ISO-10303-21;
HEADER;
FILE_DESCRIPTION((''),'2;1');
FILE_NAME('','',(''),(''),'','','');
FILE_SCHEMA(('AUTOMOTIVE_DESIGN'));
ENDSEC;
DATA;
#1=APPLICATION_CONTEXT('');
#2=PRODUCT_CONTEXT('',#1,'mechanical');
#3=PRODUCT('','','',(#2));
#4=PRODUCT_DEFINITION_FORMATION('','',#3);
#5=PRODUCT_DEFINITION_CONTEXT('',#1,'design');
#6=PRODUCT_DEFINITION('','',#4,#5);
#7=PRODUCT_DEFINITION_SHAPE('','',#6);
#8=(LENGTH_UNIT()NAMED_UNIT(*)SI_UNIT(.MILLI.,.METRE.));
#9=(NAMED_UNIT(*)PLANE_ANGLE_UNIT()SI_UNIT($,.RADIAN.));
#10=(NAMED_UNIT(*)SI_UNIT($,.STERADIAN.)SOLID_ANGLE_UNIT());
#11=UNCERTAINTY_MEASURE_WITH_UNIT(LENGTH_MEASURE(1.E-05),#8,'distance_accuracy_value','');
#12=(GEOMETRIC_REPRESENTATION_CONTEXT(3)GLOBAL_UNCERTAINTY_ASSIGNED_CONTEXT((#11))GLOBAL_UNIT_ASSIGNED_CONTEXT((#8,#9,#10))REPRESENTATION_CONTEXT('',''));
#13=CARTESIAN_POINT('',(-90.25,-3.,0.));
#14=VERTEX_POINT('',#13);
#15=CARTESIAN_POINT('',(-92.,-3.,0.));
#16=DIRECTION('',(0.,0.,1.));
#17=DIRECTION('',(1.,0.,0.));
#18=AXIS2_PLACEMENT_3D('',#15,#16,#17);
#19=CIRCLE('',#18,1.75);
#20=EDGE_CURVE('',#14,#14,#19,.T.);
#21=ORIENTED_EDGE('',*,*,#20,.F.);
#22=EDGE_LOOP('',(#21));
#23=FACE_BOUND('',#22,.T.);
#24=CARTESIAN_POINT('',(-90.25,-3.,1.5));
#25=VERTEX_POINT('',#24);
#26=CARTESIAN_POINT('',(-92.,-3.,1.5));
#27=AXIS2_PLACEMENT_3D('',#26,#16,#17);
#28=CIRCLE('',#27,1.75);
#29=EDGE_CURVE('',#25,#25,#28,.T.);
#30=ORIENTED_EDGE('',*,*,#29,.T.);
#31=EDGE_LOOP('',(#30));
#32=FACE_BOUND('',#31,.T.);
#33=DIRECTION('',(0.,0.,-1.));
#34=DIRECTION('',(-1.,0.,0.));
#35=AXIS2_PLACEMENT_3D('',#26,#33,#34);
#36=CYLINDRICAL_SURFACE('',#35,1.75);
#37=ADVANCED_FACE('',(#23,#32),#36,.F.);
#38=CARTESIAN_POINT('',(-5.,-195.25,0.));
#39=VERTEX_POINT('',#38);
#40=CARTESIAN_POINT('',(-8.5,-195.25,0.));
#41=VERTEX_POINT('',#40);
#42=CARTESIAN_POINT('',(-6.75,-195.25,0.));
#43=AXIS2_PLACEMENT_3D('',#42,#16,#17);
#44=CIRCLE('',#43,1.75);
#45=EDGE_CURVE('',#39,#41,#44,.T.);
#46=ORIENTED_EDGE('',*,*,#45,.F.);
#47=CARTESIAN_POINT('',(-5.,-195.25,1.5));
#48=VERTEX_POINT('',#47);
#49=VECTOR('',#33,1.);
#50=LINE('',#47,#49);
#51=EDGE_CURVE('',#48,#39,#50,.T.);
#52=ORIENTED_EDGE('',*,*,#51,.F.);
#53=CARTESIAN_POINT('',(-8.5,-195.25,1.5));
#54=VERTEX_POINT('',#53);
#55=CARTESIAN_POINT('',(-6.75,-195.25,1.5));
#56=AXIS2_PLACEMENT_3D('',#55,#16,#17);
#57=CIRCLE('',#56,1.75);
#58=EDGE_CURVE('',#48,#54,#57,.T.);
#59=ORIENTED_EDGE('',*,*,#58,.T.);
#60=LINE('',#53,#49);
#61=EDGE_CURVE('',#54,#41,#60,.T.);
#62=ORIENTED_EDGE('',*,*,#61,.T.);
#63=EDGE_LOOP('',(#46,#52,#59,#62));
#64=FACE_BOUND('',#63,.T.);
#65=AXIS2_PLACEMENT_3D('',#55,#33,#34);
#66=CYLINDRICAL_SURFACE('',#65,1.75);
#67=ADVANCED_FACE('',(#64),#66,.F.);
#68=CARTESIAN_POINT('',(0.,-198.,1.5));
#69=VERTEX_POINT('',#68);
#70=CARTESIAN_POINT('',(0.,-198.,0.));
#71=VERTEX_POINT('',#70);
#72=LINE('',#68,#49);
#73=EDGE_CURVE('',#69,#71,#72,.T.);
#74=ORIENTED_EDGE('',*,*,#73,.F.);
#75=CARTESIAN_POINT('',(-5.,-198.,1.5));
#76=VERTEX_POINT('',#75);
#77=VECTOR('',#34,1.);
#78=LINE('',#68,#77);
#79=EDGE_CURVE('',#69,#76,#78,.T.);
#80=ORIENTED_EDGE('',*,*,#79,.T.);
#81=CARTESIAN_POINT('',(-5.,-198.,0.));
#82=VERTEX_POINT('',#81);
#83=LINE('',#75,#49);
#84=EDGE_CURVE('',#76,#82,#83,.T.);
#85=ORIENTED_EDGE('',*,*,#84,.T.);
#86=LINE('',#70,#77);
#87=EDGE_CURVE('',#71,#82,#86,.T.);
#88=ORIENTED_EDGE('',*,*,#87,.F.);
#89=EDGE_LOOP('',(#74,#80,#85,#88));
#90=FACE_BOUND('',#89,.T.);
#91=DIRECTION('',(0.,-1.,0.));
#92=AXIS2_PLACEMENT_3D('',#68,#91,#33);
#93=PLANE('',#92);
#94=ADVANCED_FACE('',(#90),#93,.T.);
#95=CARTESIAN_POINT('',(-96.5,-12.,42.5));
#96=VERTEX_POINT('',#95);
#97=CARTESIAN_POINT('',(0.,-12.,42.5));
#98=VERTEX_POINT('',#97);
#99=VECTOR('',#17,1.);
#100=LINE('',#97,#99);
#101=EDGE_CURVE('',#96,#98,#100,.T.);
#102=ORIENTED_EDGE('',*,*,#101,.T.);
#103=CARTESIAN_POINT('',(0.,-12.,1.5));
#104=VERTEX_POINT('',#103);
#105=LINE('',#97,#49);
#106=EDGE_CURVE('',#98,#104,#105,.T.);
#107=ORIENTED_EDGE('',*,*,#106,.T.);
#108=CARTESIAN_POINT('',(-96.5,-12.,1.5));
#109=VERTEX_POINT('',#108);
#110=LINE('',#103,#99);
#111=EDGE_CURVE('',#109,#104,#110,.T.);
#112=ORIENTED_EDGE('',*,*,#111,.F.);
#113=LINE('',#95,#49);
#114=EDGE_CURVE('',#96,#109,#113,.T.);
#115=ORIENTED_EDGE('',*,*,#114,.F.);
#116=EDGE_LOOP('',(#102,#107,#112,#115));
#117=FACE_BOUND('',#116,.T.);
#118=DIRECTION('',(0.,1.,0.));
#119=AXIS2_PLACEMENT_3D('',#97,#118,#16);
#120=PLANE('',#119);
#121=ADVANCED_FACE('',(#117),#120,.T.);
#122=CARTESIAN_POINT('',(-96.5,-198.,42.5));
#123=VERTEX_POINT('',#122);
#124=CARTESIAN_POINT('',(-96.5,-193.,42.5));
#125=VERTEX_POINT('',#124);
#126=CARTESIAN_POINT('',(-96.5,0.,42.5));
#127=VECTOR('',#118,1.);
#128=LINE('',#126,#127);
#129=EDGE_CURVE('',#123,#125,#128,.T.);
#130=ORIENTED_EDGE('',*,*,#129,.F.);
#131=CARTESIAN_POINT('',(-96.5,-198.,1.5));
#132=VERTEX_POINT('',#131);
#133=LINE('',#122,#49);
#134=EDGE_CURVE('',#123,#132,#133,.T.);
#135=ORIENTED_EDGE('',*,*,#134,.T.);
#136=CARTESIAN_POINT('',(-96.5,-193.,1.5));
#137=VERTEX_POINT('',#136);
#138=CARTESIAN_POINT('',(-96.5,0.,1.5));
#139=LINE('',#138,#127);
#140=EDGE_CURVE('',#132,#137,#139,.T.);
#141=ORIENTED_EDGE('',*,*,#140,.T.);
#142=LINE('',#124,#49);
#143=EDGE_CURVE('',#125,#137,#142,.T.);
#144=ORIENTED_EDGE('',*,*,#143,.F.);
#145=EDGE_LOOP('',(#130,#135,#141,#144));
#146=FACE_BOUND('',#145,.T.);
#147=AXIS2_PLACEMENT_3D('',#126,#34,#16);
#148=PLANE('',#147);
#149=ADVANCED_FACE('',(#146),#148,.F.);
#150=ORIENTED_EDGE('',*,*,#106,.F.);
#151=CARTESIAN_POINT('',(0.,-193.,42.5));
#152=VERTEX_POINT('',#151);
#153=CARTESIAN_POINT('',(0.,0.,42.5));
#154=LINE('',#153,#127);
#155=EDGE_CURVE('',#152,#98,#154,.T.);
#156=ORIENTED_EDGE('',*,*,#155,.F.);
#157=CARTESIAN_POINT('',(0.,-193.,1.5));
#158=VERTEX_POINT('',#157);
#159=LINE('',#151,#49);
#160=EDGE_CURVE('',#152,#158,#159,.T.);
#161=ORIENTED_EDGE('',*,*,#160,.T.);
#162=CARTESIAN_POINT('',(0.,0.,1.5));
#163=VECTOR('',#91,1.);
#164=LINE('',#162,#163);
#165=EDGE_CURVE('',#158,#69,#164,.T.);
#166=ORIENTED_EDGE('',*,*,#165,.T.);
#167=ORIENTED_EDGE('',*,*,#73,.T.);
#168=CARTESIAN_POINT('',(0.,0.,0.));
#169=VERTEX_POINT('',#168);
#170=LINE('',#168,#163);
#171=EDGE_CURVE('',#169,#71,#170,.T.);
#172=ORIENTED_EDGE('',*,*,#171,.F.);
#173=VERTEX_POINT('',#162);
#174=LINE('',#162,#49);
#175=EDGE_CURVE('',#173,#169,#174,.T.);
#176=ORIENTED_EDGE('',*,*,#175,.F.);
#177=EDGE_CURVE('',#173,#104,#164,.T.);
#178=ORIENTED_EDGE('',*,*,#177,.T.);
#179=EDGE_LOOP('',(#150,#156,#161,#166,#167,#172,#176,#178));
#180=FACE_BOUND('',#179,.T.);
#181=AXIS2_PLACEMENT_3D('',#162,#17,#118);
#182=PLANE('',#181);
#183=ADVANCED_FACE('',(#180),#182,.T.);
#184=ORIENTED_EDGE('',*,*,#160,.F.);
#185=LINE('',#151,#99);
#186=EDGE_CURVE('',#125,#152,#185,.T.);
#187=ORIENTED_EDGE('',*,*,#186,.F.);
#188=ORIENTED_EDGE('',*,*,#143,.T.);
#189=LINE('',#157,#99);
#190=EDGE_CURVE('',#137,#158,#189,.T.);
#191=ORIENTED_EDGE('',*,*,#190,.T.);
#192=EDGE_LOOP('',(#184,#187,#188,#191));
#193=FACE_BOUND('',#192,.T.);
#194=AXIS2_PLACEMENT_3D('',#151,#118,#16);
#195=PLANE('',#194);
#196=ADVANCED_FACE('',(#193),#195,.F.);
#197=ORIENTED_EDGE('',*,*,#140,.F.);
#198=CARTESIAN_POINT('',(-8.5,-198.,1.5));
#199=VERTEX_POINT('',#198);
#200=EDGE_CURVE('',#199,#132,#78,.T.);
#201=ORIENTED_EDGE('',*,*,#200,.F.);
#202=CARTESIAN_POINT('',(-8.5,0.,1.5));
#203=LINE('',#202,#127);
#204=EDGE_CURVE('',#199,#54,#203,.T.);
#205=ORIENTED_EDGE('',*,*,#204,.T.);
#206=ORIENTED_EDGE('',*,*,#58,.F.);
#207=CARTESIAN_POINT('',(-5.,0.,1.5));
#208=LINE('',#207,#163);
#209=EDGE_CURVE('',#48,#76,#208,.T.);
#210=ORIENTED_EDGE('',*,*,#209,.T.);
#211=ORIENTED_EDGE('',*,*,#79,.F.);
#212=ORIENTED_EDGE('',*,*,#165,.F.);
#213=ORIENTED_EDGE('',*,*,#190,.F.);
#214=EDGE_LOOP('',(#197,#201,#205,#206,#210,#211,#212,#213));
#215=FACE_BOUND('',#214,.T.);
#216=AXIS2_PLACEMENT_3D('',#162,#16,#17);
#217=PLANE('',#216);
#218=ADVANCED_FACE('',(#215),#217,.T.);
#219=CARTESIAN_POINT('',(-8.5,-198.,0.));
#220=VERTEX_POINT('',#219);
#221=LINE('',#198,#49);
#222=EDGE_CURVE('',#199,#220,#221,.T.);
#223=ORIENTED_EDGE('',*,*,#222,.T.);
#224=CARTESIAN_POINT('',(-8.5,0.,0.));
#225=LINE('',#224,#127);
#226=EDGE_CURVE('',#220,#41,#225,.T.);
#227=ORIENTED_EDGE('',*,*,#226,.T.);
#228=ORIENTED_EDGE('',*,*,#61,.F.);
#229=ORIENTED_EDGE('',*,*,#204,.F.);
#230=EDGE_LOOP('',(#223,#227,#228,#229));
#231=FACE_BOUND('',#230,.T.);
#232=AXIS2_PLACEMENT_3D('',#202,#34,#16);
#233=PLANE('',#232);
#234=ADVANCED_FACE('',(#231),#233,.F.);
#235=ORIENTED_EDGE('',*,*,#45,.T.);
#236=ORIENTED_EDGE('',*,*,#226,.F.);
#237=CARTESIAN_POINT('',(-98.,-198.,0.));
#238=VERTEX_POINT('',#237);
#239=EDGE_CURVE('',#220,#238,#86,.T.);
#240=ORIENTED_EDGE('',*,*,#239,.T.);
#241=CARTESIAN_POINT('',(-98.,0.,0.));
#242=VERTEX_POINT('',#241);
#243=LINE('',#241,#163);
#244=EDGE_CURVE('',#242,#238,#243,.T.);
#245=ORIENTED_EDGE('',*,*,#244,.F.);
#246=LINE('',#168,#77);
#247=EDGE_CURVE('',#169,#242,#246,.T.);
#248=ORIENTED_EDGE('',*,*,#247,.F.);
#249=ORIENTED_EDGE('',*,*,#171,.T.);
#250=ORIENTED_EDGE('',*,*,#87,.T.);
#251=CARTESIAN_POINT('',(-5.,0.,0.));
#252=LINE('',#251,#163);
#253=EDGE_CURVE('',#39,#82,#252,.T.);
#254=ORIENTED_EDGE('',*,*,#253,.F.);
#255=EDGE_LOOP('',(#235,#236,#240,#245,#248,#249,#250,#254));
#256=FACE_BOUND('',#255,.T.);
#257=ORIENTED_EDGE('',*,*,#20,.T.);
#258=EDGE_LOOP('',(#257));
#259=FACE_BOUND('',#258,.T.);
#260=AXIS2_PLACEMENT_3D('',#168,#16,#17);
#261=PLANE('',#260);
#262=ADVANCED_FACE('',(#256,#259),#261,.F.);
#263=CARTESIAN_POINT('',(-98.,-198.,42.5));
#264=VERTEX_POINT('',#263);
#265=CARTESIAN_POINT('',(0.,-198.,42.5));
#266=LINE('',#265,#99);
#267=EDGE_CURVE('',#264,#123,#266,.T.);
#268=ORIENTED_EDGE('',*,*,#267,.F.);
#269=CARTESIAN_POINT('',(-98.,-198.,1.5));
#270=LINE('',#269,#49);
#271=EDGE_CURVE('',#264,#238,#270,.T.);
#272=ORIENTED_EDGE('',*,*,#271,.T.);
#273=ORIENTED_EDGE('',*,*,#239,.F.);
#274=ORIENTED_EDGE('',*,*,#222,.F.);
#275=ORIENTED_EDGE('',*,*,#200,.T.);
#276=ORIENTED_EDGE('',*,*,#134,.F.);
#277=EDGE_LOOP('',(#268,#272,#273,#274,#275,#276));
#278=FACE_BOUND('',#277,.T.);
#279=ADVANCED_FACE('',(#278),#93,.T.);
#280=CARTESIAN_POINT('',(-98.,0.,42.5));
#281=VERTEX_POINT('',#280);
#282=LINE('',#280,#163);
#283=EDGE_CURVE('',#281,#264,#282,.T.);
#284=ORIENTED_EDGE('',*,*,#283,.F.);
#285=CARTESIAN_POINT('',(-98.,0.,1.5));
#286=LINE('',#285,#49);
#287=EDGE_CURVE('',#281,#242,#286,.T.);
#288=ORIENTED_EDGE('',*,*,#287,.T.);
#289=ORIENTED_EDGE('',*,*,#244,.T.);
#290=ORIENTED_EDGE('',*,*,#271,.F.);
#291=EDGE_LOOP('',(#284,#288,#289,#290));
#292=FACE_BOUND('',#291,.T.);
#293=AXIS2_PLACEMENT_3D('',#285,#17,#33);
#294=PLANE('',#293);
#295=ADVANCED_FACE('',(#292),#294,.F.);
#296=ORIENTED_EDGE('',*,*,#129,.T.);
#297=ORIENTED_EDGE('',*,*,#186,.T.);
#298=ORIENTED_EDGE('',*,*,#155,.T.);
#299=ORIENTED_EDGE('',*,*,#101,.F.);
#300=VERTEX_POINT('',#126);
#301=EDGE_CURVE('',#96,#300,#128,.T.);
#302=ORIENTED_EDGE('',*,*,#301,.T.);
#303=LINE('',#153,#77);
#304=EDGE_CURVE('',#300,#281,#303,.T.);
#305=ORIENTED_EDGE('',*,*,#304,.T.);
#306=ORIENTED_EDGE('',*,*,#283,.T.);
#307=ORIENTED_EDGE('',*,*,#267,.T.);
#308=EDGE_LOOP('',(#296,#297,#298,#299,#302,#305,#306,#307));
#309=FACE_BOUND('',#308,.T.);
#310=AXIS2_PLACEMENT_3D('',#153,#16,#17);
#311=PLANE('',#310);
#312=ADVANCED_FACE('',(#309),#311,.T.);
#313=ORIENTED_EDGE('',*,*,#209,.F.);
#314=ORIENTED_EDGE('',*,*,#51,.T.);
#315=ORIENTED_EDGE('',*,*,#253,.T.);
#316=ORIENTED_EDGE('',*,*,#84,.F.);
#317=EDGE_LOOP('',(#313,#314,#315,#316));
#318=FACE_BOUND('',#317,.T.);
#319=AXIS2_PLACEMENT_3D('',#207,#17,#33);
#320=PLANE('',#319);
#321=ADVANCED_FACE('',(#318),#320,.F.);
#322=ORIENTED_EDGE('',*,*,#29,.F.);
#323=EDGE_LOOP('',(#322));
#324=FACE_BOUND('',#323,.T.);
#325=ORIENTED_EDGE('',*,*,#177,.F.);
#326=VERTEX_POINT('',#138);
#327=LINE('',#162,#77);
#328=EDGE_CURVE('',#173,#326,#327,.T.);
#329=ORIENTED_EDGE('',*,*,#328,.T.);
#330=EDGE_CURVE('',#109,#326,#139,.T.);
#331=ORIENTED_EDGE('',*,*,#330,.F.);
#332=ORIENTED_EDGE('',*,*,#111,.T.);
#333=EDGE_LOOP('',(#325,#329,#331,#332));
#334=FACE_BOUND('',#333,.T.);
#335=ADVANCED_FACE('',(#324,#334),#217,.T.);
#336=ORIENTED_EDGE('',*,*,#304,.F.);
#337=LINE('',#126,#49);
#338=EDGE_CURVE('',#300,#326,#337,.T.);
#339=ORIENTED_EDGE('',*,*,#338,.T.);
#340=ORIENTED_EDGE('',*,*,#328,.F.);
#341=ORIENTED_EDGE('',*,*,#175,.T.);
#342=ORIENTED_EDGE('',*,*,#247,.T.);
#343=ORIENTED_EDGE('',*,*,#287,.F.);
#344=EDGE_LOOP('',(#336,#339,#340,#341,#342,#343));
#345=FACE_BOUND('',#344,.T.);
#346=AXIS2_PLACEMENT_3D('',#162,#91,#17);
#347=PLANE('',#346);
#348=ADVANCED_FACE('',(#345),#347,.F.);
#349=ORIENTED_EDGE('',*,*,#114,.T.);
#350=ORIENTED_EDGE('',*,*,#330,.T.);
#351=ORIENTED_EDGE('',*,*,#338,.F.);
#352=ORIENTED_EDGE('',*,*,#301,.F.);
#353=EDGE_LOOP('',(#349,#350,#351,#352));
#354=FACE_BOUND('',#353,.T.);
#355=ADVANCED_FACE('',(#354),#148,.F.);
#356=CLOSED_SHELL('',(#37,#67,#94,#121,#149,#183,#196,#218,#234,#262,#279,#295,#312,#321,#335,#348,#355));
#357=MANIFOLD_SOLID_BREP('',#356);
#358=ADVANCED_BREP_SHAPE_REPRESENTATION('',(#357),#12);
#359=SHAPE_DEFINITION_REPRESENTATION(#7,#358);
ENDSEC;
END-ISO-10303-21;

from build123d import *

# Parameters (mm, degrees)
ESQUISSE1_R        = 1.75
BOSS_EXTRU_1_DEPTH = 1.5
ESQUISSE2_W        = 96.5
ESQUISSE2_H        = 181
BOSS_EXTRU_2_DEPTH = 41


with BuildPart() as part:
    # Esquisse1 → Boss.-Extru.1 (new body)
    with BuildSketch(Plane.XY):
        with BuildLine():
            ThreePointArc((-8.5, -195.25), (-6.75, -193.5), (-5, -195.25))
            Line((-5, -195.25), (-5, -198))
            Line((-5, -198), (0, -198))
            Line((0, -198), (0, 0))
            Line((0, 0), (-98, 0))
            Line((-98, 0), (-98, -198))
            Line((-98, -198), (-8.5, -198))
            Line((-8.5, -198), (-8.5, -195.25))
        make_face()
        with Locations((-92, -3)):
            Circle(ESQUISSE1_R, mode=Mode.SUBTRACT)
    extrude(amount=BOSS_EXTRU_1_DEPTH)

    # Esquisse2 → Boss.-Extru.2 (add)
    with BuildSketch(Plane.XY.offset(1.5)):
        with Locations((-48.25, -102.5)):
            Rectangle(ESQUISSE2_W, ESQUISSE2_H)
        Polygon((-98, 0), (-98, -198), (-96.5, -198), (-96.5, -193), (-96.5, -12), (-96.5, 0), align=None)
    extrude(amount=BOSS_EXTRU_2_DEPTH)


solid = part.part
